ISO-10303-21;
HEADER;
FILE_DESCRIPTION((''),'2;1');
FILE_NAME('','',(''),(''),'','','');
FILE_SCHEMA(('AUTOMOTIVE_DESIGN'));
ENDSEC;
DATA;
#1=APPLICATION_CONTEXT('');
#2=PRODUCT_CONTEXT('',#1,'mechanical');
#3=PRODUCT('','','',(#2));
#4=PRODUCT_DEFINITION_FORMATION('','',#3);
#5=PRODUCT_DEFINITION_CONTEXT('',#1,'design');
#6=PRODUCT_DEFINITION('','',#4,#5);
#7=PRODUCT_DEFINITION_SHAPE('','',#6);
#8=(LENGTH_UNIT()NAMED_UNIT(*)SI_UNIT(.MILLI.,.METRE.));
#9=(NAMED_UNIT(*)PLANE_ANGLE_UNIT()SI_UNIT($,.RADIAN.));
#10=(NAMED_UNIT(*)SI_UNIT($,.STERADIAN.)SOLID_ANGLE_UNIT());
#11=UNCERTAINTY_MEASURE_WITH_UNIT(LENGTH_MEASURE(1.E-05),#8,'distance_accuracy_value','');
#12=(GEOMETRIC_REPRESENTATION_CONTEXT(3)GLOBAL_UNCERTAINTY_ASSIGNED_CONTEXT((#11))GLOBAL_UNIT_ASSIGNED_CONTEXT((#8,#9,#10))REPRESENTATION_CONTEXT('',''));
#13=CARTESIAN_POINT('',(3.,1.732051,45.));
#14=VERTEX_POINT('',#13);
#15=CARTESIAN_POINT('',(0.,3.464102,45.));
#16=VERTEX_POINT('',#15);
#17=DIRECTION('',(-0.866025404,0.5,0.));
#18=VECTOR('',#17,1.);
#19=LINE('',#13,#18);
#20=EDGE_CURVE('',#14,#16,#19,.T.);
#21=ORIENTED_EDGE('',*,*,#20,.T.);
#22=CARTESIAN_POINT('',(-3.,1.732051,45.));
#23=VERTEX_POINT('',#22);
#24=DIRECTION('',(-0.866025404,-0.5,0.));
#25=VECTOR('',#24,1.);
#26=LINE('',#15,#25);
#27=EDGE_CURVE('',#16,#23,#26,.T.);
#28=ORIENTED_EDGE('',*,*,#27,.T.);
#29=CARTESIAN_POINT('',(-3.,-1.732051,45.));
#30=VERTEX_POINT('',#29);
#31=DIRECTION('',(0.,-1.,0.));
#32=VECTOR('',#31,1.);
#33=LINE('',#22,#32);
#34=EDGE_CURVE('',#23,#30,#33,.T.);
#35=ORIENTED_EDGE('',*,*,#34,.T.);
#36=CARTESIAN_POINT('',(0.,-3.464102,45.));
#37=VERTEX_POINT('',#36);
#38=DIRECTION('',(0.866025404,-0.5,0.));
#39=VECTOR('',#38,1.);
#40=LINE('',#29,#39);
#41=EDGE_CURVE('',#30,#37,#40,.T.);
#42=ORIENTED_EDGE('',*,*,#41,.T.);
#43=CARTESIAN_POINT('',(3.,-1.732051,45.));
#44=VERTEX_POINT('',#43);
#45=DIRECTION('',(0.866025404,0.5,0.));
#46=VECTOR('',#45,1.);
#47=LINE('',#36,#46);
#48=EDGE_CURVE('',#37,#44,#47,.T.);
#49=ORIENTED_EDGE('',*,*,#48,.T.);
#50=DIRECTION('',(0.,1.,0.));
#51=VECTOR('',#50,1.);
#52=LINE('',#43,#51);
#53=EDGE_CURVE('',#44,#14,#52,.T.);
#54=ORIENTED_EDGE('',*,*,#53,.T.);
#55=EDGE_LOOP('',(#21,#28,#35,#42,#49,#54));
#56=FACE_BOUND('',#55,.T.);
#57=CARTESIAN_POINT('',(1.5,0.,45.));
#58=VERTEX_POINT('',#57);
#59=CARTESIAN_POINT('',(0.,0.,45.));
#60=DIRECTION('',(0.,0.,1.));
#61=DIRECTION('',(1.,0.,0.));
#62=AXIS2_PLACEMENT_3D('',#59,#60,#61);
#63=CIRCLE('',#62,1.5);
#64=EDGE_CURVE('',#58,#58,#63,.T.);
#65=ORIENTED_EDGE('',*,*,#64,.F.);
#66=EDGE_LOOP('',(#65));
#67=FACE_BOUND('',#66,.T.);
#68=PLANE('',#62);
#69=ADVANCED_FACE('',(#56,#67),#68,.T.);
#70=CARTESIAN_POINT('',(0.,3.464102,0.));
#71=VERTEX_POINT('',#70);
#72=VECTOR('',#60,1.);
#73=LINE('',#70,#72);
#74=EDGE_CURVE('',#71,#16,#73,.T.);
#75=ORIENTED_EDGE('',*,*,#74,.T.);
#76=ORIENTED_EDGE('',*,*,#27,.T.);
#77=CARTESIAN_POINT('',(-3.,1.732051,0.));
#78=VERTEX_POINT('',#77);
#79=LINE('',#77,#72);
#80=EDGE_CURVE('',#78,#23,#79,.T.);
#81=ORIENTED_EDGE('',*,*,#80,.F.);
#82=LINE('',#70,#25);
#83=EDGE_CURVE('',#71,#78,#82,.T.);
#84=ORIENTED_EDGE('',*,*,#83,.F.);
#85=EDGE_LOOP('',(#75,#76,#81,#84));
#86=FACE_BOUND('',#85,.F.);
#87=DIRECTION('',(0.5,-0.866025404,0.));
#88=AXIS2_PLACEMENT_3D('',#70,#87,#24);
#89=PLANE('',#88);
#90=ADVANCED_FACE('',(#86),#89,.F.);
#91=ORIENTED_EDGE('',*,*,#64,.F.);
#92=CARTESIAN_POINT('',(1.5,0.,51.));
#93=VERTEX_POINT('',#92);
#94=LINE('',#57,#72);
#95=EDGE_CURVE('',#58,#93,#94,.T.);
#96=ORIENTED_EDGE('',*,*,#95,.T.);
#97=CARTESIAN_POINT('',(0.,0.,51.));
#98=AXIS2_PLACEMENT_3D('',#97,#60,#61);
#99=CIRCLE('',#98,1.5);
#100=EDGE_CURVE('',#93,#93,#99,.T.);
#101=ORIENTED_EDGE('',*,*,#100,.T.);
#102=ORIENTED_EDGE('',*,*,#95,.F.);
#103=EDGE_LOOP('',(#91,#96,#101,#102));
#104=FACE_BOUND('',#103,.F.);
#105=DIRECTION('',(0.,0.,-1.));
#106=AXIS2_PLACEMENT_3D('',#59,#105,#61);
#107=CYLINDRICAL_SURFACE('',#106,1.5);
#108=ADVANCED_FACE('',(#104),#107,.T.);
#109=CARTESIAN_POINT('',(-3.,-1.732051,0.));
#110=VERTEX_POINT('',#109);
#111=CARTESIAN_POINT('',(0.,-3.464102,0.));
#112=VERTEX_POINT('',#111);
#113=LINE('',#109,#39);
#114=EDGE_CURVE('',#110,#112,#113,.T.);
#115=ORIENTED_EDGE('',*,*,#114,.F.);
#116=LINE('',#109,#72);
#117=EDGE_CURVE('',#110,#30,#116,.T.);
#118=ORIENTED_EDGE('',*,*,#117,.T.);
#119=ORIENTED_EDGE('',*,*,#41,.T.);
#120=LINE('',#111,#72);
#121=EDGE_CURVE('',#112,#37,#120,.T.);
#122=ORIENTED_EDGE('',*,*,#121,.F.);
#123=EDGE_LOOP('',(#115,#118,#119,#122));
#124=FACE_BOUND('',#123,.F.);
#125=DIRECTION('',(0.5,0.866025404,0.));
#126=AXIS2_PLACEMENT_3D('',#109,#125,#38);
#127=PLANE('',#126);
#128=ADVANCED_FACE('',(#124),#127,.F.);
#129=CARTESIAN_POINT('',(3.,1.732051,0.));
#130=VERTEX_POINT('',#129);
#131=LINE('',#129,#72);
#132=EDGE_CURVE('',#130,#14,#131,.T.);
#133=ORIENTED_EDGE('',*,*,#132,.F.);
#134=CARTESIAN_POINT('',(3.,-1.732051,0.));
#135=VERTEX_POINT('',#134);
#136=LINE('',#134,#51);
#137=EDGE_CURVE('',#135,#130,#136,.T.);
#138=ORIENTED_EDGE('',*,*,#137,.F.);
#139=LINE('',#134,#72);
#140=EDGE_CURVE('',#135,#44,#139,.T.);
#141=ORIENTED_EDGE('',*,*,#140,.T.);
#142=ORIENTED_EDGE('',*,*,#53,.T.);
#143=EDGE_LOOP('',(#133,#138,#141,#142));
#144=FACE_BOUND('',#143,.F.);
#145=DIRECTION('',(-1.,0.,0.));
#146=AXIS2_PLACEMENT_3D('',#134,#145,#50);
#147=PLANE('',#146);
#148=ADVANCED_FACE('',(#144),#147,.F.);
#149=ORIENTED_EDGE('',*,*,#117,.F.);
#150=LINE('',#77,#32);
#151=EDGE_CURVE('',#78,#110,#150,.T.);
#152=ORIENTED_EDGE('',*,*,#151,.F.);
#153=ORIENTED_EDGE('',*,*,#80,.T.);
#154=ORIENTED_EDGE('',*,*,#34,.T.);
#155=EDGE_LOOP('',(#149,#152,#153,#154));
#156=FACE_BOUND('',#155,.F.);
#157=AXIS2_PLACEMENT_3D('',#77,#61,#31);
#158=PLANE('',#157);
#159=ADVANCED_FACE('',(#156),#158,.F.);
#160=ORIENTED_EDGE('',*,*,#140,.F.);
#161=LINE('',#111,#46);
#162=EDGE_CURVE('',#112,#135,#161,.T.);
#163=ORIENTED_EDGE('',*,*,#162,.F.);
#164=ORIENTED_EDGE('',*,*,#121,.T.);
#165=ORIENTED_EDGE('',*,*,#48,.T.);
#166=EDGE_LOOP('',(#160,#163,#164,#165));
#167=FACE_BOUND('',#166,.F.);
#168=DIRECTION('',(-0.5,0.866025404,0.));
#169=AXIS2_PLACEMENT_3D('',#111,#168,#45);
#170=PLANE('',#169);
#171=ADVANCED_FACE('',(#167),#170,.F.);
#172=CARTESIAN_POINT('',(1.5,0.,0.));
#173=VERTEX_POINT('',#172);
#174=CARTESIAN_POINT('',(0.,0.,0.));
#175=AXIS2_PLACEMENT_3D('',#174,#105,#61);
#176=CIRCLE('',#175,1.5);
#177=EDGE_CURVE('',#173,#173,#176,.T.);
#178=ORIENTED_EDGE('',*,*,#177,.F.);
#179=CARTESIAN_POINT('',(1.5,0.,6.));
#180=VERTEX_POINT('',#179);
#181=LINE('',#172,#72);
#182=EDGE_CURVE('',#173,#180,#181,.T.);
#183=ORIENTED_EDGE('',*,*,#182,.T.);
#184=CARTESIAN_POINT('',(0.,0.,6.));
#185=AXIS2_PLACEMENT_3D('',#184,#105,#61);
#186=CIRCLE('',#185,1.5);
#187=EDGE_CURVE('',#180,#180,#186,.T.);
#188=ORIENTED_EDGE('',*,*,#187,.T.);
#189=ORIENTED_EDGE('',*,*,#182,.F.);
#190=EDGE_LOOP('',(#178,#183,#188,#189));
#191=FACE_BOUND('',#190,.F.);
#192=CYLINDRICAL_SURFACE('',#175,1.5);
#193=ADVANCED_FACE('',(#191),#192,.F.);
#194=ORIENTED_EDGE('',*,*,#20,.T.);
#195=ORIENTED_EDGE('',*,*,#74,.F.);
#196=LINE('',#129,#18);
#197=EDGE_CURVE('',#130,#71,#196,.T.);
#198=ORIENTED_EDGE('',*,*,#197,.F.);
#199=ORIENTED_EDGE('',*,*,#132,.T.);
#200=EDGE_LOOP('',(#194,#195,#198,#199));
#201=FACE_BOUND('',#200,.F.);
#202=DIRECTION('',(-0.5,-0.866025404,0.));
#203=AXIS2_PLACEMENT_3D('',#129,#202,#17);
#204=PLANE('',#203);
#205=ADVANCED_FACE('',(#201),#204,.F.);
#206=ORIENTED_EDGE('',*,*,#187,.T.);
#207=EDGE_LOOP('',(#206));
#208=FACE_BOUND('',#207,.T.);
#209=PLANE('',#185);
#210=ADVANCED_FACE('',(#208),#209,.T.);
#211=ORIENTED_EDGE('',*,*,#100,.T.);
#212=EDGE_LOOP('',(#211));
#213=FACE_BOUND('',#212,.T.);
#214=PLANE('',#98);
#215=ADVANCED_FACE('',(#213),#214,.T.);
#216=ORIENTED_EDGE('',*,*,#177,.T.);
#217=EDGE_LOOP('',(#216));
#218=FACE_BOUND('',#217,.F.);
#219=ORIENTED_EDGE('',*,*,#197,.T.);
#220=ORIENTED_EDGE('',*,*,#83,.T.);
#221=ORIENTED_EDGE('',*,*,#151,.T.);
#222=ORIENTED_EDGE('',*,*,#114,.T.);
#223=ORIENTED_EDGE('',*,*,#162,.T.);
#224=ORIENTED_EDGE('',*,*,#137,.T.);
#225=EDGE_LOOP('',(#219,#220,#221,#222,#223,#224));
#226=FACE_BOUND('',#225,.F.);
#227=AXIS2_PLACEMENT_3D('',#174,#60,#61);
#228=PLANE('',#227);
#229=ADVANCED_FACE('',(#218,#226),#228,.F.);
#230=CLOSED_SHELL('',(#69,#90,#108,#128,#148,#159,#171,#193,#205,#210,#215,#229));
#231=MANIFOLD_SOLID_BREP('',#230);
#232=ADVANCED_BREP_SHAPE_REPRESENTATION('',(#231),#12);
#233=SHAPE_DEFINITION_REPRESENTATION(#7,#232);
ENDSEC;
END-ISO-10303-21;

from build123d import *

# Parameters (mm, degrees)
F1_DEPTH = 45
F2_R     = 1.5
F3_DEPTH = 6
F4_R     = 1.5
F5_DEPTH = 6


with BuildPart() as f1:
    # F0 (on Top) → F1 (new body)
    with BuildSketch(Plane.XY):
        Polygon((3, -1.7320508076), (3, 1.7320508076), (0, 3.4641016151), (-3, 1.7320508076), (-3, -1.7320508076), (0, -3.4641016151), align=None)
    extrude(amount=F1_DEPTH)

    # F2 (on face) → F3 (join)
    with BuildSketch(Plane.XY.offset(45)):
        Circle(F2_R)
    extrude(amount=F3_DEPTH)

    # F4 (on face) → F5 (cut)
    with BuildSketch(Plane(origin=(0, 0, 0), x_dir=(1, 0, 0), z_dir=(0, 0, -1))):
        Circle(F4_R)
    extrude(amount=-F5_DEPTH, mode=Mode.SUBTRACT)


solid = f1.part
